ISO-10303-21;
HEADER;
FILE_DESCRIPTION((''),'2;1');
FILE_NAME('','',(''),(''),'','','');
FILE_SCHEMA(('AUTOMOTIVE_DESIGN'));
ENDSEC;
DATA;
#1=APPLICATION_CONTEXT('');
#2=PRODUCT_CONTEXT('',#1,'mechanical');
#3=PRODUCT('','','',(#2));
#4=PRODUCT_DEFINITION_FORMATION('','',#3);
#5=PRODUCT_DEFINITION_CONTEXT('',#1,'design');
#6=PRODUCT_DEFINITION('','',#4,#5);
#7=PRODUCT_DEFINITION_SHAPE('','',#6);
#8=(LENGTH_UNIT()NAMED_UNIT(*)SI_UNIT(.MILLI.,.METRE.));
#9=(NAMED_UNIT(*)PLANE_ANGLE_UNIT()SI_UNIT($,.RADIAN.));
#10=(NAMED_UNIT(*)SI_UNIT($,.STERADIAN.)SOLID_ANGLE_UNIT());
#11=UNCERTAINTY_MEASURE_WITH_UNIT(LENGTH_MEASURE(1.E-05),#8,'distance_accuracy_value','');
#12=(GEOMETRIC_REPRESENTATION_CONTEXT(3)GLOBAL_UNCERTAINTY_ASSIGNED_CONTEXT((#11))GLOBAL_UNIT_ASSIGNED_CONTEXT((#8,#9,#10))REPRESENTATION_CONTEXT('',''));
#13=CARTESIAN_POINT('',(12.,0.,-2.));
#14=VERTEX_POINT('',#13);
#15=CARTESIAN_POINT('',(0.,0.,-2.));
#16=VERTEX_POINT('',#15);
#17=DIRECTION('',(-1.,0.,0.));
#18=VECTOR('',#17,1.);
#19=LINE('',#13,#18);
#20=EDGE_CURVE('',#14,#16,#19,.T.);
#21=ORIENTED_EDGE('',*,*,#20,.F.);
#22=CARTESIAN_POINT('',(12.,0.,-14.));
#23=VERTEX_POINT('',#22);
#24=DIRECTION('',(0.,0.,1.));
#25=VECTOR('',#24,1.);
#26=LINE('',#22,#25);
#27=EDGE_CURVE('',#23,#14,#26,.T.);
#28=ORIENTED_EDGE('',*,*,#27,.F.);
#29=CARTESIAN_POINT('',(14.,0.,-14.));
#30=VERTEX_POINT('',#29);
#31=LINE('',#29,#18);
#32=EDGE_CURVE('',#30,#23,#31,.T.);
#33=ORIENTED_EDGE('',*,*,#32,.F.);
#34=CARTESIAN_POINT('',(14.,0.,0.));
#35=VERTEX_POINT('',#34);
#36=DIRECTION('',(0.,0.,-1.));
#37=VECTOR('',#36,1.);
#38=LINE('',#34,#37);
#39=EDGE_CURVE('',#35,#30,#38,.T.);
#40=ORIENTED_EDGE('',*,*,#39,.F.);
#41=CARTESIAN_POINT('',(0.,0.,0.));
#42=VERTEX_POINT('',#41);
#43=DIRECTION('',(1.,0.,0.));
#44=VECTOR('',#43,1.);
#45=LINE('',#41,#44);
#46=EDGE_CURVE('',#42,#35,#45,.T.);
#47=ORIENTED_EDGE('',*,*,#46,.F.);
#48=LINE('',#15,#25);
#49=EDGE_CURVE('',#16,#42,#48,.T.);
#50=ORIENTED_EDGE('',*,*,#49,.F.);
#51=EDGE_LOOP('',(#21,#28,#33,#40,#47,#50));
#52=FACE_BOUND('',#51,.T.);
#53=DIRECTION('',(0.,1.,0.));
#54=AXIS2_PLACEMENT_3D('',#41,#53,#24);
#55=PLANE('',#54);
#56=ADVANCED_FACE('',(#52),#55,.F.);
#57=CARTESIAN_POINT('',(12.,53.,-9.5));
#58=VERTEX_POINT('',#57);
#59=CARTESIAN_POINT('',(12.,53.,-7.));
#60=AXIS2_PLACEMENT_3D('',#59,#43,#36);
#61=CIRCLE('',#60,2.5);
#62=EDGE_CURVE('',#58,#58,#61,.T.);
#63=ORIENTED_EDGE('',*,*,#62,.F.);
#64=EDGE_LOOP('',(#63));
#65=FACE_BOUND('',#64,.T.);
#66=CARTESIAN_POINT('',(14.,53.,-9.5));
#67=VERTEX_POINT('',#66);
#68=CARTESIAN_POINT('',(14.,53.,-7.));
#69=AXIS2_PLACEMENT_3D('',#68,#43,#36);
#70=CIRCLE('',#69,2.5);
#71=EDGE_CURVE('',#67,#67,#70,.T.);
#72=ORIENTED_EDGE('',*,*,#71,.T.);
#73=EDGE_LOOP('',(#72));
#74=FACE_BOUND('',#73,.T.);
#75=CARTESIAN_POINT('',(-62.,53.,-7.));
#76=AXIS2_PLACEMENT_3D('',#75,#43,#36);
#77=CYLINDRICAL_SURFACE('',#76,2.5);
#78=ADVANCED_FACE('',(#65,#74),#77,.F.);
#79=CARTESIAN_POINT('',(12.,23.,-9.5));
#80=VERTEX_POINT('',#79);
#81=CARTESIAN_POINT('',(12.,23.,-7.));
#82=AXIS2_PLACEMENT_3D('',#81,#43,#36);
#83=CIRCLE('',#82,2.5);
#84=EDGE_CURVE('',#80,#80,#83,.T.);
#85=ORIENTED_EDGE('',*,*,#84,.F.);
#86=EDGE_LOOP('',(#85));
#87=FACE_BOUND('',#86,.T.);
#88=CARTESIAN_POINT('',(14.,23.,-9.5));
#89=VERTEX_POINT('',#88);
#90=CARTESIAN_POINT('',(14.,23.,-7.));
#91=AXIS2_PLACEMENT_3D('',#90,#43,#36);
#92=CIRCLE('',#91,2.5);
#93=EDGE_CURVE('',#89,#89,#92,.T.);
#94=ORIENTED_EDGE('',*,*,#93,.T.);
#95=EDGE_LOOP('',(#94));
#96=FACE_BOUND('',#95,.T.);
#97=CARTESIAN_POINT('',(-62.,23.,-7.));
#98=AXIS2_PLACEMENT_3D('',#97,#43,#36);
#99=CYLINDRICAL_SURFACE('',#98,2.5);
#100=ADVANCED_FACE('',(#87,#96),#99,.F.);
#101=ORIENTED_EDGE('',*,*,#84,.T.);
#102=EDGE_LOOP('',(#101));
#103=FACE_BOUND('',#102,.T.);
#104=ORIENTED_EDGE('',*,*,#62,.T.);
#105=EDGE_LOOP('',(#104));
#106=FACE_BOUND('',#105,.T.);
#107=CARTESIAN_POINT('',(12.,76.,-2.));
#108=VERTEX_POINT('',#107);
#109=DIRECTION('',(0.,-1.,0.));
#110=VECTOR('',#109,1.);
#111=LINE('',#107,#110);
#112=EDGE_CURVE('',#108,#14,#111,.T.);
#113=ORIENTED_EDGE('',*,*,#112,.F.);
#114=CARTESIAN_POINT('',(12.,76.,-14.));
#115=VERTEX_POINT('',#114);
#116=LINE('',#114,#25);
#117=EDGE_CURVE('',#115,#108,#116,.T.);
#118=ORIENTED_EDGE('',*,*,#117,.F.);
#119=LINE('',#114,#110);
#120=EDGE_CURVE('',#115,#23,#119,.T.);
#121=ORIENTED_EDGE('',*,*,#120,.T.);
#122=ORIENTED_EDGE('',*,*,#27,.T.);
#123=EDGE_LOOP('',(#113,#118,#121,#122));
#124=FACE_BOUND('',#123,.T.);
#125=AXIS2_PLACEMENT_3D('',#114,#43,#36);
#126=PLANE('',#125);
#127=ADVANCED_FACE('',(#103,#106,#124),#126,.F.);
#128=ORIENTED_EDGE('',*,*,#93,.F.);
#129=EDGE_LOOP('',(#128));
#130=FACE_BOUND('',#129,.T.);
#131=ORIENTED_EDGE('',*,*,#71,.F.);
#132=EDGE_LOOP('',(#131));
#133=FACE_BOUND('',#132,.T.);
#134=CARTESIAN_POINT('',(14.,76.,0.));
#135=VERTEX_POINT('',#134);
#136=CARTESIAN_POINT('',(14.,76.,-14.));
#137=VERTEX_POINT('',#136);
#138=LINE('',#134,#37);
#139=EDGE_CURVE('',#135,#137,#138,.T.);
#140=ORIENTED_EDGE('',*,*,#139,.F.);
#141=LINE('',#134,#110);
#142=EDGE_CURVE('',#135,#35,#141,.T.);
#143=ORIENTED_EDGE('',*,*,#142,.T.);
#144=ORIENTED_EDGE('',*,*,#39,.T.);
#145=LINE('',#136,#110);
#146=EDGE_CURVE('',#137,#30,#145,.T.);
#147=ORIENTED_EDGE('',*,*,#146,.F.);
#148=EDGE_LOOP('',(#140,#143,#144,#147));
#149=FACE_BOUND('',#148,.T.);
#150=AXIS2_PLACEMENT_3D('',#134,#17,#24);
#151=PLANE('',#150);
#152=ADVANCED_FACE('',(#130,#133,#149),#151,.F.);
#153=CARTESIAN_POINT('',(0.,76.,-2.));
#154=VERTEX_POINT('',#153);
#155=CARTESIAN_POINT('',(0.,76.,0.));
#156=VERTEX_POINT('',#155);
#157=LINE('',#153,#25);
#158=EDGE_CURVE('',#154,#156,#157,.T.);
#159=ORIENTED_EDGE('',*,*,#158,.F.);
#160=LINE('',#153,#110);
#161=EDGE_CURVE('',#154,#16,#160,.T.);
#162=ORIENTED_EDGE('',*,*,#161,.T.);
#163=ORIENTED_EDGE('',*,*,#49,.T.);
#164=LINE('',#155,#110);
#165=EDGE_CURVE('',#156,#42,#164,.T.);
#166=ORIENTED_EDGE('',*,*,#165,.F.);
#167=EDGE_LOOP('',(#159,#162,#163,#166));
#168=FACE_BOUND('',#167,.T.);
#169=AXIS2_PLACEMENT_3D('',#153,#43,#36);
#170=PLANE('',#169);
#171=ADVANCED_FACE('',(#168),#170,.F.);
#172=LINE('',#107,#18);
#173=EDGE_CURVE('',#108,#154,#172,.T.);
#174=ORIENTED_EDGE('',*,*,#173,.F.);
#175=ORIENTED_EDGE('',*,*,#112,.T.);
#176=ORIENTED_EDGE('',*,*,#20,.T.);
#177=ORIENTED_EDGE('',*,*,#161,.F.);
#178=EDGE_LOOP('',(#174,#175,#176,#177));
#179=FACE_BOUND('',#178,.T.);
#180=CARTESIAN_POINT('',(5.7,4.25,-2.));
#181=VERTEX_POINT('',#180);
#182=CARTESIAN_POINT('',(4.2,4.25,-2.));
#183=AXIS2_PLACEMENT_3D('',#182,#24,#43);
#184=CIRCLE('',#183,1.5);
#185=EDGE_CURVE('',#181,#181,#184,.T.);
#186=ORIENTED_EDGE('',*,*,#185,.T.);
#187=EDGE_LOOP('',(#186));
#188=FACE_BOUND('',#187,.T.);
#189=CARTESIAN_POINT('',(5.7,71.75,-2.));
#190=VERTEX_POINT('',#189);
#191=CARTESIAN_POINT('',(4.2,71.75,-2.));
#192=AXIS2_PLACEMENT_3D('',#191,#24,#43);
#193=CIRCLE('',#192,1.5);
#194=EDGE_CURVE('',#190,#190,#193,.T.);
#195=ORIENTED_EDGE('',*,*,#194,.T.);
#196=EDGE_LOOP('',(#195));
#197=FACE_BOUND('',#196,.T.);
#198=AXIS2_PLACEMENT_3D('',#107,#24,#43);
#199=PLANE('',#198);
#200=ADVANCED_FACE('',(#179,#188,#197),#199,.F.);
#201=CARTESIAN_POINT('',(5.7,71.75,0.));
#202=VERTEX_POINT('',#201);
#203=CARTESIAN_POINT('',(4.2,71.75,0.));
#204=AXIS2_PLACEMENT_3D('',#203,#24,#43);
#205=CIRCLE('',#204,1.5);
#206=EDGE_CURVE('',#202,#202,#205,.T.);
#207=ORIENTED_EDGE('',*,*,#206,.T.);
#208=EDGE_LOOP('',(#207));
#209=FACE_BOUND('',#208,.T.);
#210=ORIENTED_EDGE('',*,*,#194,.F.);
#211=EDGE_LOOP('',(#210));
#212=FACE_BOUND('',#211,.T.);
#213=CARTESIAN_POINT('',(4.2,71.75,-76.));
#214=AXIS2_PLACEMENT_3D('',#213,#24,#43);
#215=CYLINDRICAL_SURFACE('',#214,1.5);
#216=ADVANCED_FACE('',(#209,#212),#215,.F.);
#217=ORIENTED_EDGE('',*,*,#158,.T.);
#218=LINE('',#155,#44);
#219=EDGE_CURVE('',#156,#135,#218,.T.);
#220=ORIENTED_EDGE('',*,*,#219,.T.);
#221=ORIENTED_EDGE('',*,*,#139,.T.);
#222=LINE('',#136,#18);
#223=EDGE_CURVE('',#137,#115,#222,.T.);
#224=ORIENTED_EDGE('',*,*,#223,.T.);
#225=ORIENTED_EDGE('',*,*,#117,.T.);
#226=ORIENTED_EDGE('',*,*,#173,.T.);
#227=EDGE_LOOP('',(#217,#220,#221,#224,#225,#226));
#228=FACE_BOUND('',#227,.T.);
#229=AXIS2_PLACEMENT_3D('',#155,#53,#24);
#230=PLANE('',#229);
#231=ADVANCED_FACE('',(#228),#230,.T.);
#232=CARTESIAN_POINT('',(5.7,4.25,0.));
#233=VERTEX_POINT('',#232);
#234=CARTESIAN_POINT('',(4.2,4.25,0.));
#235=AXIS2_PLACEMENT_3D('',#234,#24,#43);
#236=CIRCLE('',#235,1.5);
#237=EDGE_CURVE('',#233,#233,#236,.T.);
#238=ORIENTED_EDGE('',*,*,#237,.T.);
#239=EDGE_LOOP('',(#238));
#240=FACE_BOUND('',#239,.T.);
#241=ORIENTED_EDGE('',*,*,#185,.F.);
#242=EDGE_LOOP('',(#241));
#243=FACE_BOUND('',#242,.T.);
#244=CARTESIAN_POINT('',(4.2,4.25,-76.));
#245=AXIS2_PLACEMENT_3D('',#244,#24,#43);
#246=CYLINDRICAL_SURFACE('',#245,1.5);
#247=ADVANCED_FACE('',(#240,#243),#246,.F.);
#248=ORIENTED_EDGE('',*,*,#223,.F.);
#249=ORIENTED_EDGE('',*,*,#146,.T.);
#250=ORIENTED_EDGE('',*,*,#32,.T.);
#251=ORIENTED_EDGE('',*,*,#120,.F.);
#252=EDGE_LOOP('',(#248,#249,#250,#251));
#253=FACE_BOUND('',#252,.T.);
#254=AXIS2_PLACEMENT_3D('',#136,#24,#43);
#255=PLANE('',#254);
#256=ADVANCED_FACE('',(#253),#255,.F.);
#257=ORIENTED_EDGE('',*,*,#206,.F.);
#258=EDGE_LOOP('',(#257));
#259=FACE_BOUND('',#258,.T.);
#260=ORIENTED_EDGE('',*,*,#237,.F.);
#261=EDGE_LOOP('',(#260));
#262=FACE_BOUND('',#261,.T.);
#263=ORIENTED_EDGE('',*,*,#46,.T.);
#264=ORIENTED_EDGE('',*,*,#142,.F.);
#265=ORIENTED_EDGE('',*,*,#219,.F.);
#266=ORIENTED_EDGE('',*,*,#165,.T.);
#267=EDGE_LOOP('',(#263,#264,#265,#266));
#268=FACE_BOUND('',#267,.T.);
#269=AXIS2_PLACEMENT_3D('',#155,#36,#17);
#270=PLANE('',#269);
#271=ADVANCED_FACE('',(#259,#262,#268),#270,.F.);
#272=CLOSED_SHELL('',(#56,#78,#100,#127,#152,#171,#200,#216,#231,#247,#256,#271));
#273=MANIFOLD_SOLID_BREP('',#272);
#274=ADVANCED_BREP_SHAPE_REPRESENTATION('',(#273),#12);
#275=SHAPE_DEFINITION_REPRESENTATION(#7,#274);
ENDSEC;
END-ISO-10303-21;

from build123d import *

# Parameters (mm, degrees)
EXTRUDE_1_DEPTH     = 76
SKETCH_2_R          = 1.5
CUT_EXTRUDE_1_DEPTH = 76
SKETCH_3_R          = 2.5
CUT_EXTRUDE_2_DEPTH = 76


with BuildPart() as part:
    # 草图1 → 凸台-拉伸1 (new body)
    with BuildSketch(Plane(origin=(0, 0, 0), x_dir=(1, 0, 0), z_dir=(0, 1, 0))):
        Polygon((0, 0), (14, 0), (14, 14), (12, 14), (12, 2), (0, 2), align=None)
    extrude(amount=EXTRUDE_1_DEPTH)

    # 草图2 → 切除-拉伸1 (cut)
    with BuildSketch(Plane.XY):
        with Locations((4.2, 4.25)):
            Circle(SKETCH_2_R)
        with Locations((4.2, 71.75)):
            Circle(SKETCH_2_R)
    extrude(amount=-CUT_EXTRUDE_1_DEPTH, mode=Mode.SUBTRACT)

    # 草图3 → 切除-拉伸2 (cut)
    with BuildSketch(Plane(origin=(14, 0, 0), x_dir=(0, 0, -1), z_dir=(1, 0, 0))):
        with Locations((7, 23)):
            Circle(SKETCH_3_R)
        with Locations((7, 53)):
            Circle(SKETCH_3_R)
    extrude(amount=-CUT_EXTRUDE_2_DEPTH, mode=Mode.SUBTRACT)


solid = part.part
